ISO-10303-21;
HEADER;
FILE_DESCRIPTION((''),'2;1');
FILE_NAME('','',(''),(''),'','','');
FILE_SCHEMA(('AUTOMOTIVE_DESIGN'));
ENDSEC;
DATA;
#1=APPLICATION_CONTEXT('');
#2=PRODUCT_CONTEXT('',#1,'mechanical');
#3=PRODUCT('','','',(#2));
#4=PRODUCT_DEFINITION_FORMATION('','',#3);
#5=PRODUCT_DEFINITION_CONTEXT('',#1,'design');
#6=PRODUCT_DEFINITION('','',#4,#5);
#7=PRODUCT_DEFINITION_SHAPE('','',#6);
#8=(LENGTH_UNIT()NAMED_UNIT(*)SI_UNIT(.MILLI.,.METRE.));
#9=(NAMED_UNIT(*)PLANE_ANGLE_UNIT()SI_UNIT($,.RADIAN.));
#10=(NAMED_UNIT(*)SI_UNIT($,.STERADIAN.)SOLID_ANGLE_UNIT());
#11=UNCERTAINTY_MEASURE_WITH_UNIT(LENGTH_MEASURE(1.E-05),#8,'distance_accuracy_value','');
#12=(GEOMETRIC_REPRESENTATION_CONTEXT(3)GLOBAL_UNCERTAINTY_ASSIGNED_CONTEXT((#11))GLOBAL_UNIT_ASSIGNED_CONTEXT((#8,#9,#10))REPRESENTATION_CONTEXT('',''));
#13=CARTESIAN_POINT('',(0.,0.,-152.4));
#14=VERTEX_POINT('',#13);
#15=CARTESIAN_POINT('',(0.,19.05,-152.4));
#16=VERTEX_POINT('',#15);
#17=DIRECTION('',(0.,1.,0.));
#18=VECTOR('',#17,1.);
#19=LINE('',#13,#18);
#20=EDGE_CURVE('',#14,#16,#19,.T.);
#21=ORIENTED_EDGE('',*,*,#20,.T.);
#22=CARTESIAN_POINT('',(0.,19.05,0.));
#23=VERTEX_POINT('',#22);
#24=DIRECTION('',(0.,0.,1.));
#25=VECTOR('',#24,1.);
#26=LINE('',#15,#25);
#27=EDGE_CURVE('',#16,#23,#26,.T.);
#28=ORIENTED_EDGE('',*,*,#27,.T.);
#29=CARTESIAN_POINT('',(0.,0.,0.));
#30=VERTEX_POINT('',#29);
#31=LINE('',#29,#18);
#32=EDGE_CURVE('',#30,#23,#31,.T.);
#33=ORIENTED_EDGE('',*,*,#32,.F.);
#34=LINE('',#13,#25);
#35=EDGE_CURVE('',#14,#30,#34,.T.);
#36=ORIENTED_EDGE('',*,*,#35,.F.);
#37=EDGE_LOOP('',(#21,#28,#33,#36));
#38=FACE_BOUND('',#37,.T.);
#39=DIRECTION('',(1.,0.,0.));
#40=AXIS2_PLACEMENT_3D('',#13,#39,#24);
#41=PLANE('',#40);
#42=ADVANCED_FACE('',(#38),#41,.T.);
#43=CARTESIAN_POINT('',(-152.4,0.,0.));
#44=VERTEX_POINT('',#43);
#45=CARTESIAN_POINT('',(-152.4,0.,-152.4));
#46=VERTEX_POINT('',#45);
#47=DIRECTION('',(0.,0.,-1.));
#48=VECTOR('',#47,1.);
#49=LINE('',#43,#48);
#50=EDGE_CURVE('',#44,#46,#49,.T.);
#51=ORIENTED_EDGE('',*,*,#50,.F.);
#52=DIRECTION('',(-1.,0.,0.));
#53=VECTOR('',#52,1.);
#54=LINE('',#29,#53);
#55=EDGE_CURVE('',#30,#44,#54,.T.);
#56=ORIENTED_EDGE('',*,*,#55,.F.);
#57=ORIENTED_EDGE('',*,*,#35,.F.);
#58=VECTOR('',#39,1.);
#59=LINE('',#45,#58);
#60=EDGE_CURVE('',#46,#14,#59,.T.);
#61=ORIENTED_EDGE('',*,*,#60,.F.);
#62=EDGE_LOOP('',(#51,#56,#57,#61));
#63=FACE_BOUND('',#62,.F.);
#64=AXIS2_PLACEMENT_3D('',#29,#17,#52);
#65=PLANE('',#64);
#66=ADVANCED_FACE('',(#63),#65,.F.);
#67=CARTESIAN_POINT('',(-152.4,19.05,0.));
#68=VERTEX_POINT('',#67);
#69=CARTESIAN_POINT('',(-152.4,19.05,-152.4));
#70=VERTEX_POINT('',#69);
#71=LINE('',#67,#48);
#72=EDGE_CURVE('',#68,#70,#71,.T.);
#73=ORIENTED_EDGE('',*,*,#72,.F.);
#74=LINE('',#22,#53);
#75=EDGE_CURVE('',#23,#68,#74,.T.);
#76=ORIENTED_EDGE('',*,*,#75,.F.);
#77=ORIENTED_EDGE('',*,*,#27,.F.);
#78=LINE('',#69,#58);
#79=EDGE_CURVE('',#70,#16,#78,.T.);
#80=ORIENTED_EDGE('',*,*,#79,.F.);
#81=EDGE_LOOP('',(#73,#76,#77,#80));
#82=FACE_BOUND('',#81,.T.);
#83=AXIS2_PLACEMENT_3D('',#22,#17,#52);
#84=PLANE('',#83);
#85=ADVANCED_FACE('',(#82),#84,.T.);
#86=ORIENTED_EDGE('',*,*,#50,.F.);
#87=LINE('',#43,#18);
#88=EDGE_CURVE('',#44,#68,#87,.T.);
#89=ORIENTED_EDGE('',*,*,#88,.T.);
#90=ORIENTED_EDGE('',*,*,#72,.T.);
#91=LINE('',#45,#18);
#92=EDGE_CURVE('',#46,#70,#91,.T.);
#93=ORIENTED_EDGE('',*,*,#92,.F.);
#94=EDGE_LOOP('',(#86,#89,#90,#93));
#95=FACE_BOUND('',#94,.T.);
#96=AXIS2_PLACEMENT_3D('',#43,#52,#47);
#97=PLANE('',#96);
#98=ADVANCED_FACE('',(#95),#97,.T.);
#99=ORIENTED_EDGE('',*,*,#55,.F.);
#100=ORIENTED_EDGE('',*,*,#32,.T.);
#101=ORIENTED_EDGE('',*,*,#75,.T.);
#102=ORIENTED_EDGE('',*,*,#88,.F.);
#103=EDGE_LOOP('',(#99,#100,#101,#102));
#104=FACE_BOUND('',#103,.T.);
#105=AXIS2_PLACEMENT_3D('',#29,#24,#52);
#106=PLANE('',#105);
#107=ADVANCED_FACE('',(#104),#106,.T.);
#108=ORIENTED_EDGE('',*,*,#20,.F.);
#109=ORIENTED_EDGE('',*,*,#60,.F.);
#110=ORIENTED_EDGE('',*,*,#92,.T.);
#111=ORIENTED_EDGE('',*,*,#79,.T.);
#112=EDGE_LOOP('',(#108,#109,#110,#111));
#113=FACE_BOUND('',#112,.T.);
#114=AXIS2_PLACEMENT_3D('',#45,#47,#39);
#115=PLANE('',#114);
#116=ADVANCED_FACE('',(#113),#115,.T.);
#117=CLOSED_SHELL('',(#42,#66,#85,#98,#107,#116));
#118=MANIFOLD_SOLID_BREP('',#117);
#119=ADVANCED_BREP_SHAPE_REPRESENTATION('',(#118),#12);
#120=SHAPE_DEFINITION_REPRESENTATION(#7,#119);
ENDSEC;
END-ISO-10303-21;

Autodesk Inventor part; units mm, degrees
ref_plane "YZ Plane" through (0, 0, 0) normal (1, 0, 0) x (0, 1, 0)
ref_plane "XZ Plane" through (0, 0, 0) normal (0, 1, 0) x (-1, 0, 0)
ref_plane "XY Plane" through (0, 0, 0) normal (0, 0, 1) x (1, 0, 0)
sketch "Sketch1" plane through (0, 0, 0) normal (0, 1, 0) x (-1, 0, 0)
  line L0 (0, 0) -> (152.4, 0)
  line L1 (152.4, 0) -> (152.4, -152.4)
  line L2 (152.4, -152.4) -> (0, -152.4)
  line L3 (0, -152.4) -> (0, 0)
  dimension "d0" = 152.4
  dimension "d1" = 152.4
extrude "Extrusion1" add sketch "Sketch1" along normal blind 19.05
properties part number "Base"
